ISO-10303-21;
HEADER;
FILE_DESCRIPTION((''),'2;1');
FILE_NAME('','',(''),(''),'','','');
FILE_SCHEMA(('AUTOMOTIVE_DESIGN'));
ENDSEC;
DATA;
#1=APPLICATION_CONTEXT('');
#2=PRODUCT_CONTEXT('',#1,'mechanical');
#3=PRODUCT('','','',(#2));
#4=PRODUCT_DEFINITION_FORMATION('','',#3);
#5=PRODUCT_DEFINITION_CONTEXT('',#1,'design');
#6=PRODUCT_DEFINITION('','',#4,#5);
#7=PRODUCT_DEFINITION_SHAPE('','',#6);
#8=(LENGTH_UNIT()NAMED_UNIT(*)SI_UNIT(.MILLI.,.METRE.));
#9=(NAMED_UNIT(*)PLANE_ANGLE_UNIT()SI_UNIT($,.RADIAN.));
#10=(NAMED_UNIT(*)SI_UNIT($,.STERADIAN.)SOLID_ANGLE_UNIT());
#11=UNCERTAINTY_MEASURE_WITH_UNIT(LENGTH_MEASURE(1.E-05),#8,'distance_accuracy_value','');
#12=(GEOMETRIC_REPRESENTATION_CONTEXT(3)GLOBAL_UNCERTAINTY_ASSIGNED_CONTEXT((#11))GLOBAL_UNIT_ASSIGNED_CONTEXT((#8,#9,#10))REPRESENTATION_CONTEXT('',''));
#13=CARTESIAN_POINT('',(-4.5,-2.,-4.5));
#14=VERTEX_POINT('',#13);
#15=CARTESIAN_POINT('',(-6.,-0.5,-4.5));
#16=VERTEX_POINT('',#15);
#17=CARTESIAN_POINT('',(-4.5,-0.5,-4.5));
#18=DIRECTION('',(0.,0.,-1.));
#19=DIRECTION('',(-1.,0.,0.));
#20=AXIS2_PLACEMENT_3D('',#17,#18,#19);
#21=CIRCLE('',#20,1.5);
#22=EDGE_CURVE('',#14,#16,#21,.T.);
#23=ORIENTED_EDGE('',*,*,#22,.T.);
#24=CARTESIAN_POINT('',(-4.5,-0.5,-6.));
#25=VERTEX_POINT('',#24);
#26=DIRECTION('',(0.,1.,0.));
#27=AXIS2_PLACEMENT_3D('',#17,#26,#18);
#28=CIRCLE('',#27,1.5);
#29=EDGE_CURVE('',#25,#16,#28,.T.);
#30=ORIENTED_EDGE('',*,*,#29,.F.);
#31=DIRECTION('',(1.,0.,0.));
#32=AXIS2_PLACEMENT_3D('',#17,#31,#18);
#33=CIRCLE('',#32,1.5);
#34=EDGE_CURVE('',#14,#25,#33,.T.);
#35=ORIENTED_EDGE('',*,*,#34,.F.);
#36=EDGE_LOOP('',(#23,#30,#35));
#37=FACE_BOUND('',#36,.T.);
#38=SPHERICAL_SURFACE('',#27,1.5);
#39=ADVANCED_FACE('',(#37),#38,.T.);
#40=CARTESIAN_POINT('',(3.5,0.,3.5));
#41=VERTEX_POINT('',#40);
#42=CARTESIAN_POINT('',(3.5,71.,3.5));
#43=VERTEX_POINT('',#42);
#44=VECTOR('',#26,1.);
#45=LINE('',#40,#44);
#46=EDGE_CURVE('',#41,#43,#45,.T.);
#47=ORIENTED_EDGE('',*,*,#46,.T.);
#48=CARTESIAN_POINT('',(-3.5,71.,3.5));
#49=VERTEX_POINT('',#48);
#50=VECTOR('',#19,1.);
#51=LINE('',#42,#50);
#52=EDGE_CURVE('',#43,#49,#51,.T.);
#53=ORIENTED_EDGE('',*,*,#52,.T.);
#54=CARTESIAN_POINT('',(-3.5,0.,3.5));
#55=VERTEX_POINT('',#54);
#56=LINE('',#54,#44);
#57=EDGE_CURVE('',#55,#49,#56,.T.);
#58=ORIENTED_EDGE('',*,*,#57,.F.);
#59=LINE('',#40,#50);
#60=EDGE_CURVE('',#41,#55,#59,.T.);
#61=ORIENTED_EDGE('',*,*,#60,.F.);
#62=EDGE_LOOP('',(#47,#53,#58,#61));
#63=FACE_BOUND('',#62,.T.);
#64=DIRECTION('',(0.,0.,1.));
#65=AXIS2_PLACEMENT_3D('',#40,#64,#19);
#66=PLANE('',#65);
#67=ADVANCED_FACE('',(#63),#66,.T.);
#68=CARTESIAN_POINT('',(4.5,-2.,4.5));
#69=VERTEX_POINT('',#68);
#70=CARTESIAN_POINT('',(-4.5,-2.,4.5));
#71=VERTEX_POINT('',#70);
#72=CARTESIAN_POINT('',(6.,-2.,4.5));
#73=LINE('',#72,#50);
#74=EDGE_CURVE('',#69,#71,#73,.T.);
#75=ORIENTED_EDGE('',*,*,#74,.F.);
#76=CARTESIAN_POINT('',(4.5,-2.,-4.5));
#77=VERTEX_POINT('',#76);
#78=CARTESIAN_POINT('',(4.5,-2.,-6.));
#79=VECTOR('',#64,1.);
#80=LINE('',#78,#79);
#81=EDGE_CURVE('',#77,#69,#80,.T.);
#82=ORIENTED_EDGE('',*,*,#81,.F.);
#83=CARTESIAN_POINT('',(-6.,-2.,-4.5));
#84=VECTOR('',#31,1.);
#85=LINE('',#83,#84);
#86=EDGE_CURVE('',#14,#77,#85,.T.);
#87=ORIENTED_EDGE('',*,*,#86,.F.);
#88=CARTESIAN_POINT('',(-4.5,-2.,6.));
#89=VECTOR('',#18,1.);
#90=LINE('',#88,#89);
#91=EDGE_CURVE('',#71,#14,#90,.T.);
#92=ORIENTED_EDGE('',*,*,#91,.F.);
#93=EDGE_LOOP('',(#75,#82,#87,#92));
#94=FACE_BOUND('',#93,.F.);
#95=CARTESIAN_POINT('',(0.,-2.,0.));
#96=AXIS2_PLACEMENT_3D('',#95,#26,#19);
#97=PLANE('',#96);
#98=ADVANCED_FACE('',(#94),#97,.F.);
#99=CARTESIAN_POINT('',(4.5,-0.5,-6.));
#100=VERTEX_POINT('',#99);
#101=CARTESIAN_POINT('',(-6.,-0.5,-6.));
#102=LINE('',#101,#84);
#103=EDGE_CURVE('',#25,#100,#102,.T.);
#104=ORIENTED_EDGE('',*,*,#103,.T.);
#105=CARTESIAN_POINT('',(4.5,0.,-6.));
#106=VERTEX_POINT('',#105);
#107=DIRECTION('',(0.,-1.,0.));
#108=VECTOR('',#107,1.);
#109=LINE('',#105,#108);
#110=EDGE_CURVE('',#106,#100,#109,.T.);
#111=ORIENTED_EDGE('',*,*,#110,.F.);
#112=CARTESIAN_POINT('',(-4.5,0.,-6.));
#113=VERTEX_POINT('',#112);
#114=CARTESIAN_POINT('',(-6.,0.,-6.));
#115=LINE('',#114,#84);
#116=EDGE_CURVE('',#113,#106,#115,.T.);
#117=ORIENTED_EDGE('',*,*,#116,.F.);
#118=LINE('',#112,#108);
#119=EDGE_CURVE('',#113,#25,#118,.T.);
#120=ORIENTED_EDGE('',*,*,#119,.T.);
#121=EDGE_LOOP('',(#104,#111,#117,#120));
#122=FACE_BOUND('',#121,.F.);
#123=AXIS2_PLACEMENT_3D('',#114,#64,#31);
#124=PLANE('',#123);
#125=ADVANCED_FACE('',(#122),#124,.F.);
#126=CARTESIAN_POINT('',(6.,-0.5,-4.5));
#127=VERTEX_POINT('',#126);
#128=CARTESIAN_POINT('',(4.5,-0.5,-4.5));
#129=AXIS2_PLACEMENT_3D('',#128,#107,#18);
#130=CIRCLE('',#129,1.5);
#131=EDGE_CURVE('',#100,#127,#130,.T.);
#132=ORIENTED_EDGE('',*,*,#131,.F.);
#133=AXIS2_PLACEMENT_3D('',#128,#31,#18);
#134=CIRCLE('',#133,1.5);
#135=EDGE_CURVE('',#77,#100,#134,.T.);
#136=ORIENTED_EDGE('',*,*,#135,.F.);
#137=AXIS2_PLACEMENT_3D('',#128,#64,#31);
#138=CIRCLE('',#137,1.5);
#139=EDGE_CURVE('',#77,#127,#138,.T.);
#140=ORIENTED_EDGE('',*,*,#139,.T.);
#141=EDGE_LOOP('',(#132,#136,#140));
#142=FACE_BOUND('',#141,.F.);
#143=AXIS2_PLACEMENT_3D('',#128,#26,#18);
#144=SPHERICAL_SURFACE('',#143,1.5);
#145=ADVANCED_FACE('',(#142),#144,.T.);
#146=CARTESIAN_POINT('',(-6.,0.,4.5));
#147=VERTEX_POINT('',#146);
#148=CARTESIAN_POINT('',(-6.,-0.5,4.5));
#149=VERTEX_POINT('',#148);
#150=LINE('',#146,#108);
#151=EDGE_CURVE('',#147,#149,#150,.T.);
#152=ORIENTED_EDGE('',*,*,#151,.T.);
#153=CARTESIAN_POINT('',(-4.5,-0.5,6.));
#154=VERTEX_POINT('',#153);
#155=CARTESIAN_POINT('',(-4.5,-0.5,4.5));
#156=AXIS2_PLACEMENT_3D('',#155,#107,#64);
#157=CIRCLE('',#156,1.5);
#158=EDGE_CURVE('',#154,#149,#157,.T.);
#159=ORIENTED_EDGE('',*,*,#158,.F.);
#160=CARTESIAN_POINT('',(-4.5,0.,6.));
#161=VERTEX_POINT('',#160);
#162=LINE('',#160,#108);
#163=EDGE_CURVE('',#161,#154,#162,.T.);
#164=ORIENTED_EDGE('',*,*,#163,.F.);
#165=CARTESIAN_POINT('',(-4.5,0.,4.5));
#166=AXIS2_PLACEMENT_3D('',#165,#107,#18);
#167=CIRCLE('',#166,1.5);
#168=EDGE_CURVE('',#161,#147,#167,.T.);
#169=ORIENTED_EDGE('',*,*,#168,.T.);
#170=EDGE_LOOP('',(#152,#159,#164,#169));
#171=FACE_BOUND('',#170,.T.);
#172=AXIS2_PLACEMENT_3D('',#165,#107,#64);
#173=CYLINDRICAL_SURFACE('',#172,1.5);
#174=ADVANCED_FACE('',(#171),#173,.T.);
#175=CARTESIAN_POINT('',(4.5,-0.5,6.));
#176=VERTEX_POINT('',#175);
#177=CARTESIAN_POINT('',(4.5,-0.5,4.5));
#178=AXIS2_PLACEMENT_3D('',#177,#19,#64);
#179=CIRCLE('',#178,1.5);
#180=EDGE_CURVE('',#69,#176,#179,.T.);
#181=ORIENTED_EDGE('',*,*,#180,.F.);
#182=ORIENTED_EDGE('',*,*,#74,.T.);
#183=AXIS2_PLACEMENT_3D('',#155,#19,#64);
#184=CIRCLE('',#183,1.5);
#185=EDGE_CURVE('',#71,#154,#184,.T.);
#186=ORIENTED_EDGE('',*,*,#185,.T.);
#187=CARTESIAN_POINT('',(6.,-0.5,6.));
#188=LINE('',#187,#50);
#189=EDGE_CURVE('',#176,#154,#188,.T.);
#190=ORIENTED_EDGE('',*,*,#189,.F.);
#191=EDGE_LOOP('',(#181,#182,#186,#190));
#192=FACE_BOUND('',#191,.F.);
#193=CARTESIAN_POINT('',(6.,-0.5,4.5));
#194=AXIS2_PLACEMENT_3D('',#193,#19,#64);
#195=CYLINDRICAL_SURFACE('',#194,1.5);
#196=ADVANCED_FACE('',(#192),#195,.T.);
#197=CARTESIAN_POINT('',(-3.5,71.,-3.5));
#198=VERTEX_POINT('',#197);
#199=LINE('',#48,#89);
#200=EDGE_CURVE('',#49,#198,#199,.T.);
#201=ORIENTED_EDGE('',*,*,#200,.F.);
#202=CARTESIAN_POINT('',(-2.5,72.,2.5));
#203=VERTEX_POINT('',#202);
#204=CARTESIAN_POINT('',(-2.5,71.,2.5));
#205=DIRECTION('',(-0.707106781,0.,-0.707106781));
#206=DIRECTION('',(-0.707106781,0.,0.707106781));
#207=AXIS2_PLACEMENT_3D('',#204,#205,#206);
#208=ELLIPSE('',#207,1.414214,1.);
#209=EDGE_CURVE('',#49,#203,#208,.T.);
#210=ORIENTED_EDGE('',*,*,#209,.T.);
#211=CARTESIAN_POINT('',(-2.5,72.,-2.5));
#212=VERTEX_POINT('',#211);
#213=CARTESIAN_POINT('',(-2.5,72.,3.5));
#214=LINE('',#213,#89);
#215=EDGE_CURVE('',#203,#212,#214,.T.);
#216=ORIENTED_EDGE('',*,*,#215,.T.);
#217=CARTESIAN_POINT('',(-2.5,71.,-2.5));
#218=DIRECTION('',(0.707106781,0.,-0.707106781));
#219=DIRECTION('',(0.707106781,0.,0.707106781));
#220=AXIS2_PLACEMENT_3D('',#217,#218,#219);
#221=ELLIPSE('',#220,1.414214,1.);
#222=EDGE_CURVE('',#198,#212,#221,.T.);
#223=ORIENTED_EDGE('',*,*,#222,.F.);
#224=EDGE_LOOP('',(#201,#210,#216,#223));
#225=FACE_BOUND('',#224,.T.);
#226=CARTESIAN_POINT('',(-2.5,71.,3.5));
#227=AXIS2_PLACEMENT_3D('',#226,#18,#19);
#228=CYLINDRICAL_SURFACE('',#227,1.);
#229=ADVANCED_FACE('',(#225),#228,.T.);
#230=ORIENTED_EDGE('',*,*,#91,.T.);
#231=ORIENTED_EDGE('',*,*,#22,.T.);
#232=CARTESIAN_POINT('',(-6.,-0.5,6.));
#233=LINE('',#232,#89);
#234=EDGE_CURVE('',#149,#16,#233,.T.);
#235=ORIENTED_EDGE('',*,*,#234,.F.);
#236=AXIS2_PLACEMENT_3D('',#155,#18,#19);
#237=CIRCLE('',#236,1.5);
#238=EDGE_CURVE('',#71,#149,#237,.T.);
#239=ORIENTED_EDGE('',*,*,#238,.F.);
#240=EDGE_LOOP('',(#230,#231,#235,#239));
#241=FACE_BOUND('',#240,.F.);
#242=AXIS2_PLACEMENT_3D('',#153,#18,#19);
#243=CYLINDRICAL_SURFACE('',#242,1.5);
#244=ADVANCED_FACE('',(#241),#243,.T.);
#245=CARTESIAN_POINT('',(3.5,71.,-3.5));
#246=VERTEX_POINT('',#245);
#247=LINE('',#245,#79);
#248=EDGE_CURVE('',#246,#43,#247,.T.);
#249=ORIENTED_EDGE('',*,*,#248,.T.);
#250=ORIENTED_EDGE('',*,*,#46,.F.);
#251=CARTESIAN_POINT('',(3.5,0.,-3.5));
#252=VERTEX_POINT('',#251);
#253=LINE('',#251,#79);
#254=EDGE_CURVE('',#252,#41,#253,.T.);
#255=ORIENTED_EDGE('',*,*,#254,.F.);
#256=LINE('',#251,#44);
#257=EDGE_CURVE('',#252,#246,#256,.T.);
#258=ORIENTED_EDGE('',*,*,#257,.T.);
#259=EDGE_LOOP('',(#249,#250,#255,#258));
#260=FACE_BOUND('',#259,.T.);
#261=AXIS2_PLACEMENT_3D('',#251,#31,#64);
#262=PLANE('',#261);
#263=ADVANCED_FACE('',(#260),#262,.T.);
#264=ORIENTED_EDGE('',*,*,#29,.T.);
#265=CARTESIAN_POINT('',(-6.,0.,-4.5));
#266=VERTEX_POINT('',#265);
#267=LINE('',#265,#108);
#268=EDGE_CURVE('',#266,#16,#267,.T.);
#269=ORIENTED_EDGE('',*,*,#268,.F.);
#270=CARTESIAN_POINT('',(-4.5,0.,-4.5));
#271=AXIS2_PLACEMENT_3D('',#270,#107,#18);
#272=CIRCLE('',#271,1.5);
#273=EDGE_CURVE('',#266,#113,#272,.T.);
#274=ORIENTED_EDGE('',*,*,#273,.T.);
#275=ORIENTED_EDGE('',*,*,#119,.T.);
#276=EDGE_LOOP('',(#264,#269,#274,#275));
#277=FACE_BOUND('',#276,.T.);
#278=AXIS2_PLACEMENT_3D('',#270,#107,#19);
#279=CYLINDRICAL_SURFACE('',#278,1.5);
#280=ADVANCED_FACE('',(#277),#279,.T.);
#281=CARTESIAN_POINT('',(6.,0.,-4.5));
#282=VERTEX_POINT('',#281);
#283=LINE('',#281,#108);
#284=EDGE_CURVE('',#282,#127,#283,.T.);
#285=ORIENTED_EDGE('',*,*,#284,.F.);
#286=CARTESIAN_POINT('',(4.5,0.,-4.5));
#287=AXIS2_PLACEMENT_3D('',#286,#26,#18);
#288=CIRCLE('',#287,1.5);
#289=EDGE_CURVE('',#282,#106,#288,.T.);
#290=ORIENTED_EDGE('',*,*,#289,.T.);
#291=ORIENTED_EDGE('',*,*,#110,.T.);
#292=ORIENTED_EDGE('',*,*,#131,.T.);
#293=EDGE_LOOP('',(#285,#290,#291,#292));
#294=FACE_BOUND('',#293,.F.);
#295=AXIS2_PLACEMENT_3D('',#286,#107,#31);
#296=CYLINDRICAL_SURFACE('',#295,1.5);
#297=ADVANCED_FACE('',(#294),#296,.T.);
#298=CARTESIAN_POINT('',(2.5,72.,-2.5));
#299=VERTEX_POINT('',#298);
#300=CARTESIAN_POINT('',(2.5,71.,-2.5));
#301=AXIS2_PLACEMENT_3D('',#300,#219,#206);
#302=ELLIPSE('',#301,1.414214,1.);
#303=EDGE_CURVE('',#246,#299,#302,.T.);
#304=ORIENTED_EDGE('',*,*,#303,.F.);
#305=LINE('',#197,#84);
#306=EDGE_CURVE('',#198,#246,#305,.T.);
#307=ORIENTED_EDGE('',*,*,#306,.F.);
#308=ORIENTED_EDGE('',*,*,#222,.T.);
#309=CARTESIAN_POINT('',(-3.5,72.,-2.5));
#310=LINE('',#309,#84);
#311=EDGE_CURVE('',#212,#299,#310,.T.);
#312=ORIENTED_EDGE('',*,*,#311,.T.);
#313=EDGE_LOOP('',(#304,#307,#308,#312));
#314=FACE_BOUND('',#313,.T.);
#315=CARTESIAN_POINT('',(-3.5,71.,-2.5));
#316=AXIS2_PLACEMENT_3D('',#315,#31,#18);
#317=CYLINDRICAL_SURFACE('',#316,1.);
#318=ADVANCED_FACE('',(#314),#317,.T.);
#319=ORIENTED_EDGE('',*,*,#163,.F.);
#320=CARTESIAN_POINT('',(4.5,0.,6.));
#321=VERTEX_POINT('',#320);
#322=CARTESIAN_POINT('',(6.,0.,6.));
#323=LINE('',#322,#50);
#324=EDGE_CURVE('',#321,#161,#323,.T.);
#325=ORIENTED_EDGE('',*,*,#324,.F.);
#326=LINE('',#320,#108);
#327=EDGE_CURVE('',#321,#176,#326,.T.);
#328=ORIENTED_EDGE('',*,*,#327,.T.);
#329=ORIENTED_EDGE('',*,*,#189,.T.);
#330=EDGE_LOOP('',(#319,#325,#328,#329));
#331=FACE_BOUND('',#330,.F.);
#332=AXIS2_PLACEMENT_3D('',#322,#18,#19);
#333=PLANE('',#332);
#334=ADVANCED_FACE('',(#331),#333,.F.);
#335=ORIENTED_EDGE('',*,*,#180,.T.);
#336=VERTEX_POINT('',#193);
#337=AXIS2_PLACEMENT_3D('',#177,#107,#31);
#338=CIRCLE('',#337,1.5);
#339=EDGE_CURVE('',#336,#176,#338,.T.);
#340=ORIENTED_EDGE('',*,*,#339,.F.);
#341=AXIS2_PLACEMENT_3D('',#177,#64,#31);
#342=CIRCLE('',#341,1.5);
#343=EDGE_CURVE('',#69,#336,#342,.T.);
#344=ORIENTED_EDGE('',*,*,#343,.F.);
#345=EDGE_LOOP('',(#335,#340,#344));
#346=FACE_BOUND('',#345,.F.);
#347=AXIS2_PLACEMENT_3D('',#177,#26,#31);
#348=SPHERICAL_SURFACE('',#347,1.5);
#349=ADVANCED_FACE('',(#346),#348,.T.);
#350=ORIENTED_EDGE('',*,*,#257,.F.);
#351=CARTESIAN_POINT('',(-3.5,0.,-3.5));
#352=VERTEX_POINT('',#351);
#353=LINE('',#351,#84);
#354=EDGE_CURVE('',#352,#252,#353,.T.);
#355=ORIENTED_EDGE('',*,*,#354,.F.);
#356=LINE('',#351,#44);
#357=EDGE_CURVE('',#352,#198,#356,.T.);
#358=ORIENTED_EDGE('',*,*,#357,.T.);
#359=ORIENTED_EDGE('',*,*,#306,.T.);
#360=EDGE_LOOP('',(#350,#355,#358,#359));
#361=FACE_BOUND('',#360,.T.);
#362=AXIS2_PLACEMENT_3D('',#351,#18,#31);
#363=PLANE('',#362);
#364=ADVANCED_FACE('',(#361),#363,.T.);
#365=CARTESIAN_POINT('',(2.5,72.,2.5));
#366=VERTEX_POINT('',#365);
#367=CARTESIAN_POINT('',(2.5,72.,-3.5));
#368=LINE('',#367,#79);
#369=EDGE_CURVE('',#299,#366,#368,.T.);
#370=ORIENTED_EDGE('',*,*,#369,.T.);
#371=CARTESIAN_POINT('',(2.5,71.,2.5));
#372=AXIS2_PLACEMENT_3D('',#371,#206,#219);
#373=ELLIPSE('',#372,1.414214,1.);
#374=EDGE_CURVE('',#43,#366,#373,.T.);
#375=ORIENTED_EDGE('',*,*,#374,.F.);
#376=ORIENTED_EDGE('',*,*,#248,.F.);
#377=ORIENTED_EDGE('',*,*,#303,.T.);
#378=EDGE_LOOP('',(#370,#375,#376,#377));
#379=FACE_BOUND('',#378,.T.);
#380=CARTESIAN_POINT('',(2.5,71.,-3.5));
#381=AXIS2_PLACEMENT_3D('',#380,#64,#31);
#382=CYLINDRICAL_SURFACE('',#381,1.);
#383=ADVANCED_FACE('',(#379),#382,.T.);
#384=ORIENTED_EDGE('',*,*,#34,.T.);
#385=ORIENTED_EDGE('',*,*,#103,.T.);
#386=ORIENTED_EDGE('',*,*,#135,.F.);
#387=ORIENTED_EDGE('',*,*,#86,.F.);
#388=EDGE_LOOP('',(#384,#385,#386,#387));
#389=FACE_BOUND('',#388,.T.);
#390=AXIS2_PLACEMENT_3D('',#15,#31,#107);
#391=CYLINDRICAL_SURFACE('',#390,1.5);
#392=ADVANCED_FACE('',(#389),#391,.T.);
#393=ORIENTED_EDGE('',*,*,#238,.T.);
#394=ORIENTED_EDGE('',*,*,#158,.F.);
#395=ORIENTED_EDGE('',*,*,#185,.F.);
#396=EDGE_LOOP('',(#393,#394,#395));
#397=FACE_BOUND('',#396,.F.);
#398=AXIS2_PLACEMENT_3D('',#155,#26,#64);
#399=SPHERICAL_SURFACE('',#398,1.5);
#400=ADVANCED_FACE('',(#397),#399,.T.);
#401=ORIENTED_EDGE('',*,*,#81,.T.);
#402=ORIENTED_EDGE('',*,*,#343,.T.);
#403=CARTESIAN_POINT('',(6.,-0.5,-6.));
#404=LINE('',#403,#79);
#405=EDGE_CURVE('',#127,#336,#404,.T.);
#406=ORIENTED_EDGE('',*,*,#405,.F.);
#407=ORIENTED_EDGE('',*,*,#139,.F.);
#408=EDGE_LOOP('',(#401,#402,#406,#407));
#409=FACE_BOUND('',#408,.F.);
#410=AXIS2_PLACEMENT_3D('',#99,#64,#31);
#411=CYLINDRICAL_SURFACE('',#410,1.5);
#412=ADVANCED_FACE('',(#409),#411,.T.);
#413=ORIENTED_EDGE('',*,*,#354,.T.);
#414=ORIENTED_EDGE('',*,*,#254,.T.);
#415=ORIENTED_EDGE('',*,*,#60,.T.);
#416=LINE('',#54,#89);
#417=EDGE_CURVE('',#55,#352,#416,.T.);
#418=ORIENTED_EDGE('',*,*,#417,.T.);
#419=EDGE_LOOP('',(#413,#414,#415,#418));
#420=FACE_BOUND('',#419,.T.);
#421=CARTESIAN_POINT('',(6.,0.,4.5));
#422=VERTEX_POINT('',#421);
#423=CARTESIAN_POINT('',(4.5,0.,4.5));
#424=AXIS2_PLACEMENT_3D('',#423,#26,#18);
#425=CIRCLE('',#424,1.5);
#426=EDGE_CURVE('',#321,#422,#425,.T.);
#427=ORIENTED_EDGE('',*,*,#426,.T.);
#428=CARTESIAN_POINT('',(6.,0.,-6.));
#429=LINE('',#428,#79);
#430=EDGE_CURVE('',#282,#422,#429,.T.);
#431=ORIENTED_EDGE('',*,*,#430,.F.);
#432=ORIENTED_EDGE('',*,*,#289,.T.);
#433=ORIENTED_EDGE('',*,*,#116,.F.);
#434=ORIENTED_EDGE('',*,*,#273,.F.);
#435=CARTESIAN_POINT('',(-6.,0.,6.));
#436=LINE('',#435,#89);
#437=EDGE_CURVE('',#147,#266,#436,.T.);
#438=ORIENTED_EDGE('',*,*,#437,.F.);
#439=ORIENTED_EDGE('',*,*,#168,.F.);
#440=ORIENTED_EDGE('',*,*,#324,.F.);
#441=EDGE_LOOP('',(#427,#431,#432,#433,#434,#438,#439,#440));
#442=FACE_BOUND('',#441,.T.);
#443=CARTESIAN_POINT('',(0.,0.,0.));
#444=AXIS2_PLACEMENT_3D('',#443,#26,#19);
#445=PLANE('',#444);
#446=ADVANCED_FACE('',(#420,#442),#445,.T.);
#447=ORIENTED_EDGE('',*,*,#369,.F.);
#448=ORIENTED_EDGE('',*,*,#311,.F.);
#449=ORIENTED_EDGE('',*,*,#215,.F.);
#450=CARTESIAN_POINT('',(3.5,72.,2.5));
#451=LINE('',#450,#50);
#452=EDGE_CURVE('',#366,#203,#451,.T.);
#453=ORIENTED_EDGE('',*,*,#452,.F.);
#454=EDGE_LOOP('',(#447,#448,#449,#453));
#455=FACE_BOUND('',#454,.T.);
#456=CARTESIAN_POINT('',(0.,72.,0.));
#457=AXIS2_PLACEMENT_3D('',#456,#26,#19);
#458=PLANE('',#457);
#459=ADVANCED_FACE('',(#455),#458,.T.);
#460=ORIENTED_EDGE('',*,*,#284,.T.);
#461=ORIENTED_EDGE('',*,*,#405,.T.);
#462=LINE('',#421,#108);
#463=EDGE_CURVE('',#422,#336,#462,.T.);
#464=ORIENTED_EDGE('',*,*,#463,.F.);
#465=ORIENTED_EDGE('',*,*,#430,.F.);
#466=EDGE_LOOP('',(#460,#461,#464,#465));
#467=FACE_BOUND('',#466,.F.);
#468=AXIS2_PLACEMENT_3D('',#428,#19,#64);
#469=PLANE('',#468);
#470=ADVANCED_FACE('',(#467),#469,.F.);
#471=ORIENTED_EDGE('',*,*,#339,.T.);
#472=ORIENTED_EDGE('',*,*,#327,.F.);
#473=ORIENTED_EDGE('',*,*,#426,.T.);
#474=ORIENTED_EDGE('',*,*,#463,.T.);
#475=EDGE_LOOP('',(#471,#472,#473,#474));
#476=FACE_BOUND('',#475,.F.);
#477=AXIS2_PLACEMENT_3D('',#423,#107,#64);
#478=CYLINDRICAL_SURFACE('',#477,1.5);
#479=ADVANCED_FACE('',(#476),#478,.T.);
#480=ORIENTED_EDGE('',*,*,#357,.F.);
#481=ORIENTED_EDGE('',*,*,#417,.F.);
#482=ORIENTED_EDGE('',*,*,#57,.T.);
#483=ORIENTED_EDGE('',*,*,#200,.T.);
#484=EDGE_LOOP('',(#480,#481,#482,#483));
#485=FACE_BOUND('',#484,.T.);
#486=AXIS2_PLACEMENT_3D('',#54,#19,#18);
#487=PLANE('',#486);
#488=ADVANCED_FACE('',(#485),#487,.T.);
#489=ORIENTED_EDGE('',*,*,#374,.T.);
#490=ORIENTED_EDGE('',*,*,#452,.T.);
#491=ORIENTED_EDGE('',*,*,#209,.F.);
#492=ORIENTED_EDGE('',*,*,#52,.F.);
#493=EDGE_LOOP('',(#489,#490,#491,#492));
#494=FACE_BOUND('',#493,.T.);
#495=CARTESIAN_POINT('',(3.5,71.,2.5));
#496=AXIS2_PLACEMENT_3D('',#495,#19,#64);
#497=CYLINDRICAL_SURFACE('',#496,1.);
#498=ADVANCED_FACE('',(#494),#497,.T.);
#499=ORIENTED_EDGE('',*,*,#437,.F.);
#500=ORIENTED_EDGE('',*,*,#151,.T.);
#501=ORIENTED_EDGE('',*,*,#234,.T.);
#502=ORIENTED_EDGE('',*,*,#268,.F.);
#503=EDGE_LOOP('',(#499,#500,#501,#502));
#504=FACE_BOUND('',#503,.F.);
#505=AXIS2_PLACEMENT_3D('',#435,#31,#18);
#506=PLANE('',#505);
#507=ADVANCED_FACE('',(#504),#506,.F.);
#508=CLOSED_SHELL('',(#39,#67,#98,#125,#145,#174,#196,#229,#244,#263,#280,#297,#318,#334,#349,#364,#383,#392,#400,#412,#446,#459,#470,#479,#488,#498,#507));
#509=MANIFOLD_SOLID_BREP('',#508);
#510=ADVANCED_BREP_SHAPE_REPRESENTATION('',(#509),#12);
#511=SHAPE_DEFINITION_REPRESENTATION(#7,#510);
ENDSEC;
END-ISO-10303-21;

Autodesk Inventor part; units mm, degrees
ref_plane "YZ Plane" through (0, 0, 0) normal (1, 0, 0) x (0, 1, 0)
ref_plane "XZ Plane" through (0, 0, 0) normal (0, 1, 0) x (-1, 0, 0)
ref_plane "XY Plane" through (0, 0, 0) normal (0, 0, 1) x (1, 0, 0)
sketch "Szkic1" plane through (0, 0, 0) normal (0, 1, 0) x (-1, 0, 0)
  line L0 (-6, 6) -> (6, 6)
  line L1 (6, 6) -> (6, -6)
  line L2 (6, -6) -> (-6, -6)
  line L3 (-6, -6) -> (-6, 6)
  line L4 (-6, 6) -> (6, -6) construction
  line L5 (6, 6) -> (-6, -6) construction
  line L6 (-3.5, 3.5) -> (3.5, 3.5)
  line L7 (3.5, 3.5) -> (3.5, -3.5)
  line L8 (3.5, -3.5) -> (-3.5, -3.5)
  line L9 (-3.5, -3.5) -> (-3.5, 3.5)
  line L10 (-3.5, 3.5) -> (3.5, -3.5) construction
  line L11 (3.5, 3.5) -> (-3.5, -3.5) construction
  point P0 (0, 0)
  dimension "d0" = 12
  dimension "d1" = 12
  dimension "d2" = 7
  dimension "d3" = 7
extrude "Wyciągnięcie proste1" add sketch "Szkic1" along normal blind 72 contours L6 L7 L8 L9
extrude "Wyciągnięcie proste2" add sketch "Szkic1" against normal blind 2 contours L0 L1 L2 L3 | L6 L7 L8 L9
fillet "Zaokrąglenie1" radius 1.5 8 edges at (6, -1, 6) (6, -1, -6) (-6, -1, 6) (-6, -1, -6) (0, -2, -6) (6, -2, 0) (0, -2, 6) (-6, -2, 0)
fillet "Zaokrąglenie2" radius 1 4 edges at (3.5, 72, 0) (0, 72, 3.5) (0, 72, -3.5) (-3.5, 72, 0)
properties part number "kołek"
